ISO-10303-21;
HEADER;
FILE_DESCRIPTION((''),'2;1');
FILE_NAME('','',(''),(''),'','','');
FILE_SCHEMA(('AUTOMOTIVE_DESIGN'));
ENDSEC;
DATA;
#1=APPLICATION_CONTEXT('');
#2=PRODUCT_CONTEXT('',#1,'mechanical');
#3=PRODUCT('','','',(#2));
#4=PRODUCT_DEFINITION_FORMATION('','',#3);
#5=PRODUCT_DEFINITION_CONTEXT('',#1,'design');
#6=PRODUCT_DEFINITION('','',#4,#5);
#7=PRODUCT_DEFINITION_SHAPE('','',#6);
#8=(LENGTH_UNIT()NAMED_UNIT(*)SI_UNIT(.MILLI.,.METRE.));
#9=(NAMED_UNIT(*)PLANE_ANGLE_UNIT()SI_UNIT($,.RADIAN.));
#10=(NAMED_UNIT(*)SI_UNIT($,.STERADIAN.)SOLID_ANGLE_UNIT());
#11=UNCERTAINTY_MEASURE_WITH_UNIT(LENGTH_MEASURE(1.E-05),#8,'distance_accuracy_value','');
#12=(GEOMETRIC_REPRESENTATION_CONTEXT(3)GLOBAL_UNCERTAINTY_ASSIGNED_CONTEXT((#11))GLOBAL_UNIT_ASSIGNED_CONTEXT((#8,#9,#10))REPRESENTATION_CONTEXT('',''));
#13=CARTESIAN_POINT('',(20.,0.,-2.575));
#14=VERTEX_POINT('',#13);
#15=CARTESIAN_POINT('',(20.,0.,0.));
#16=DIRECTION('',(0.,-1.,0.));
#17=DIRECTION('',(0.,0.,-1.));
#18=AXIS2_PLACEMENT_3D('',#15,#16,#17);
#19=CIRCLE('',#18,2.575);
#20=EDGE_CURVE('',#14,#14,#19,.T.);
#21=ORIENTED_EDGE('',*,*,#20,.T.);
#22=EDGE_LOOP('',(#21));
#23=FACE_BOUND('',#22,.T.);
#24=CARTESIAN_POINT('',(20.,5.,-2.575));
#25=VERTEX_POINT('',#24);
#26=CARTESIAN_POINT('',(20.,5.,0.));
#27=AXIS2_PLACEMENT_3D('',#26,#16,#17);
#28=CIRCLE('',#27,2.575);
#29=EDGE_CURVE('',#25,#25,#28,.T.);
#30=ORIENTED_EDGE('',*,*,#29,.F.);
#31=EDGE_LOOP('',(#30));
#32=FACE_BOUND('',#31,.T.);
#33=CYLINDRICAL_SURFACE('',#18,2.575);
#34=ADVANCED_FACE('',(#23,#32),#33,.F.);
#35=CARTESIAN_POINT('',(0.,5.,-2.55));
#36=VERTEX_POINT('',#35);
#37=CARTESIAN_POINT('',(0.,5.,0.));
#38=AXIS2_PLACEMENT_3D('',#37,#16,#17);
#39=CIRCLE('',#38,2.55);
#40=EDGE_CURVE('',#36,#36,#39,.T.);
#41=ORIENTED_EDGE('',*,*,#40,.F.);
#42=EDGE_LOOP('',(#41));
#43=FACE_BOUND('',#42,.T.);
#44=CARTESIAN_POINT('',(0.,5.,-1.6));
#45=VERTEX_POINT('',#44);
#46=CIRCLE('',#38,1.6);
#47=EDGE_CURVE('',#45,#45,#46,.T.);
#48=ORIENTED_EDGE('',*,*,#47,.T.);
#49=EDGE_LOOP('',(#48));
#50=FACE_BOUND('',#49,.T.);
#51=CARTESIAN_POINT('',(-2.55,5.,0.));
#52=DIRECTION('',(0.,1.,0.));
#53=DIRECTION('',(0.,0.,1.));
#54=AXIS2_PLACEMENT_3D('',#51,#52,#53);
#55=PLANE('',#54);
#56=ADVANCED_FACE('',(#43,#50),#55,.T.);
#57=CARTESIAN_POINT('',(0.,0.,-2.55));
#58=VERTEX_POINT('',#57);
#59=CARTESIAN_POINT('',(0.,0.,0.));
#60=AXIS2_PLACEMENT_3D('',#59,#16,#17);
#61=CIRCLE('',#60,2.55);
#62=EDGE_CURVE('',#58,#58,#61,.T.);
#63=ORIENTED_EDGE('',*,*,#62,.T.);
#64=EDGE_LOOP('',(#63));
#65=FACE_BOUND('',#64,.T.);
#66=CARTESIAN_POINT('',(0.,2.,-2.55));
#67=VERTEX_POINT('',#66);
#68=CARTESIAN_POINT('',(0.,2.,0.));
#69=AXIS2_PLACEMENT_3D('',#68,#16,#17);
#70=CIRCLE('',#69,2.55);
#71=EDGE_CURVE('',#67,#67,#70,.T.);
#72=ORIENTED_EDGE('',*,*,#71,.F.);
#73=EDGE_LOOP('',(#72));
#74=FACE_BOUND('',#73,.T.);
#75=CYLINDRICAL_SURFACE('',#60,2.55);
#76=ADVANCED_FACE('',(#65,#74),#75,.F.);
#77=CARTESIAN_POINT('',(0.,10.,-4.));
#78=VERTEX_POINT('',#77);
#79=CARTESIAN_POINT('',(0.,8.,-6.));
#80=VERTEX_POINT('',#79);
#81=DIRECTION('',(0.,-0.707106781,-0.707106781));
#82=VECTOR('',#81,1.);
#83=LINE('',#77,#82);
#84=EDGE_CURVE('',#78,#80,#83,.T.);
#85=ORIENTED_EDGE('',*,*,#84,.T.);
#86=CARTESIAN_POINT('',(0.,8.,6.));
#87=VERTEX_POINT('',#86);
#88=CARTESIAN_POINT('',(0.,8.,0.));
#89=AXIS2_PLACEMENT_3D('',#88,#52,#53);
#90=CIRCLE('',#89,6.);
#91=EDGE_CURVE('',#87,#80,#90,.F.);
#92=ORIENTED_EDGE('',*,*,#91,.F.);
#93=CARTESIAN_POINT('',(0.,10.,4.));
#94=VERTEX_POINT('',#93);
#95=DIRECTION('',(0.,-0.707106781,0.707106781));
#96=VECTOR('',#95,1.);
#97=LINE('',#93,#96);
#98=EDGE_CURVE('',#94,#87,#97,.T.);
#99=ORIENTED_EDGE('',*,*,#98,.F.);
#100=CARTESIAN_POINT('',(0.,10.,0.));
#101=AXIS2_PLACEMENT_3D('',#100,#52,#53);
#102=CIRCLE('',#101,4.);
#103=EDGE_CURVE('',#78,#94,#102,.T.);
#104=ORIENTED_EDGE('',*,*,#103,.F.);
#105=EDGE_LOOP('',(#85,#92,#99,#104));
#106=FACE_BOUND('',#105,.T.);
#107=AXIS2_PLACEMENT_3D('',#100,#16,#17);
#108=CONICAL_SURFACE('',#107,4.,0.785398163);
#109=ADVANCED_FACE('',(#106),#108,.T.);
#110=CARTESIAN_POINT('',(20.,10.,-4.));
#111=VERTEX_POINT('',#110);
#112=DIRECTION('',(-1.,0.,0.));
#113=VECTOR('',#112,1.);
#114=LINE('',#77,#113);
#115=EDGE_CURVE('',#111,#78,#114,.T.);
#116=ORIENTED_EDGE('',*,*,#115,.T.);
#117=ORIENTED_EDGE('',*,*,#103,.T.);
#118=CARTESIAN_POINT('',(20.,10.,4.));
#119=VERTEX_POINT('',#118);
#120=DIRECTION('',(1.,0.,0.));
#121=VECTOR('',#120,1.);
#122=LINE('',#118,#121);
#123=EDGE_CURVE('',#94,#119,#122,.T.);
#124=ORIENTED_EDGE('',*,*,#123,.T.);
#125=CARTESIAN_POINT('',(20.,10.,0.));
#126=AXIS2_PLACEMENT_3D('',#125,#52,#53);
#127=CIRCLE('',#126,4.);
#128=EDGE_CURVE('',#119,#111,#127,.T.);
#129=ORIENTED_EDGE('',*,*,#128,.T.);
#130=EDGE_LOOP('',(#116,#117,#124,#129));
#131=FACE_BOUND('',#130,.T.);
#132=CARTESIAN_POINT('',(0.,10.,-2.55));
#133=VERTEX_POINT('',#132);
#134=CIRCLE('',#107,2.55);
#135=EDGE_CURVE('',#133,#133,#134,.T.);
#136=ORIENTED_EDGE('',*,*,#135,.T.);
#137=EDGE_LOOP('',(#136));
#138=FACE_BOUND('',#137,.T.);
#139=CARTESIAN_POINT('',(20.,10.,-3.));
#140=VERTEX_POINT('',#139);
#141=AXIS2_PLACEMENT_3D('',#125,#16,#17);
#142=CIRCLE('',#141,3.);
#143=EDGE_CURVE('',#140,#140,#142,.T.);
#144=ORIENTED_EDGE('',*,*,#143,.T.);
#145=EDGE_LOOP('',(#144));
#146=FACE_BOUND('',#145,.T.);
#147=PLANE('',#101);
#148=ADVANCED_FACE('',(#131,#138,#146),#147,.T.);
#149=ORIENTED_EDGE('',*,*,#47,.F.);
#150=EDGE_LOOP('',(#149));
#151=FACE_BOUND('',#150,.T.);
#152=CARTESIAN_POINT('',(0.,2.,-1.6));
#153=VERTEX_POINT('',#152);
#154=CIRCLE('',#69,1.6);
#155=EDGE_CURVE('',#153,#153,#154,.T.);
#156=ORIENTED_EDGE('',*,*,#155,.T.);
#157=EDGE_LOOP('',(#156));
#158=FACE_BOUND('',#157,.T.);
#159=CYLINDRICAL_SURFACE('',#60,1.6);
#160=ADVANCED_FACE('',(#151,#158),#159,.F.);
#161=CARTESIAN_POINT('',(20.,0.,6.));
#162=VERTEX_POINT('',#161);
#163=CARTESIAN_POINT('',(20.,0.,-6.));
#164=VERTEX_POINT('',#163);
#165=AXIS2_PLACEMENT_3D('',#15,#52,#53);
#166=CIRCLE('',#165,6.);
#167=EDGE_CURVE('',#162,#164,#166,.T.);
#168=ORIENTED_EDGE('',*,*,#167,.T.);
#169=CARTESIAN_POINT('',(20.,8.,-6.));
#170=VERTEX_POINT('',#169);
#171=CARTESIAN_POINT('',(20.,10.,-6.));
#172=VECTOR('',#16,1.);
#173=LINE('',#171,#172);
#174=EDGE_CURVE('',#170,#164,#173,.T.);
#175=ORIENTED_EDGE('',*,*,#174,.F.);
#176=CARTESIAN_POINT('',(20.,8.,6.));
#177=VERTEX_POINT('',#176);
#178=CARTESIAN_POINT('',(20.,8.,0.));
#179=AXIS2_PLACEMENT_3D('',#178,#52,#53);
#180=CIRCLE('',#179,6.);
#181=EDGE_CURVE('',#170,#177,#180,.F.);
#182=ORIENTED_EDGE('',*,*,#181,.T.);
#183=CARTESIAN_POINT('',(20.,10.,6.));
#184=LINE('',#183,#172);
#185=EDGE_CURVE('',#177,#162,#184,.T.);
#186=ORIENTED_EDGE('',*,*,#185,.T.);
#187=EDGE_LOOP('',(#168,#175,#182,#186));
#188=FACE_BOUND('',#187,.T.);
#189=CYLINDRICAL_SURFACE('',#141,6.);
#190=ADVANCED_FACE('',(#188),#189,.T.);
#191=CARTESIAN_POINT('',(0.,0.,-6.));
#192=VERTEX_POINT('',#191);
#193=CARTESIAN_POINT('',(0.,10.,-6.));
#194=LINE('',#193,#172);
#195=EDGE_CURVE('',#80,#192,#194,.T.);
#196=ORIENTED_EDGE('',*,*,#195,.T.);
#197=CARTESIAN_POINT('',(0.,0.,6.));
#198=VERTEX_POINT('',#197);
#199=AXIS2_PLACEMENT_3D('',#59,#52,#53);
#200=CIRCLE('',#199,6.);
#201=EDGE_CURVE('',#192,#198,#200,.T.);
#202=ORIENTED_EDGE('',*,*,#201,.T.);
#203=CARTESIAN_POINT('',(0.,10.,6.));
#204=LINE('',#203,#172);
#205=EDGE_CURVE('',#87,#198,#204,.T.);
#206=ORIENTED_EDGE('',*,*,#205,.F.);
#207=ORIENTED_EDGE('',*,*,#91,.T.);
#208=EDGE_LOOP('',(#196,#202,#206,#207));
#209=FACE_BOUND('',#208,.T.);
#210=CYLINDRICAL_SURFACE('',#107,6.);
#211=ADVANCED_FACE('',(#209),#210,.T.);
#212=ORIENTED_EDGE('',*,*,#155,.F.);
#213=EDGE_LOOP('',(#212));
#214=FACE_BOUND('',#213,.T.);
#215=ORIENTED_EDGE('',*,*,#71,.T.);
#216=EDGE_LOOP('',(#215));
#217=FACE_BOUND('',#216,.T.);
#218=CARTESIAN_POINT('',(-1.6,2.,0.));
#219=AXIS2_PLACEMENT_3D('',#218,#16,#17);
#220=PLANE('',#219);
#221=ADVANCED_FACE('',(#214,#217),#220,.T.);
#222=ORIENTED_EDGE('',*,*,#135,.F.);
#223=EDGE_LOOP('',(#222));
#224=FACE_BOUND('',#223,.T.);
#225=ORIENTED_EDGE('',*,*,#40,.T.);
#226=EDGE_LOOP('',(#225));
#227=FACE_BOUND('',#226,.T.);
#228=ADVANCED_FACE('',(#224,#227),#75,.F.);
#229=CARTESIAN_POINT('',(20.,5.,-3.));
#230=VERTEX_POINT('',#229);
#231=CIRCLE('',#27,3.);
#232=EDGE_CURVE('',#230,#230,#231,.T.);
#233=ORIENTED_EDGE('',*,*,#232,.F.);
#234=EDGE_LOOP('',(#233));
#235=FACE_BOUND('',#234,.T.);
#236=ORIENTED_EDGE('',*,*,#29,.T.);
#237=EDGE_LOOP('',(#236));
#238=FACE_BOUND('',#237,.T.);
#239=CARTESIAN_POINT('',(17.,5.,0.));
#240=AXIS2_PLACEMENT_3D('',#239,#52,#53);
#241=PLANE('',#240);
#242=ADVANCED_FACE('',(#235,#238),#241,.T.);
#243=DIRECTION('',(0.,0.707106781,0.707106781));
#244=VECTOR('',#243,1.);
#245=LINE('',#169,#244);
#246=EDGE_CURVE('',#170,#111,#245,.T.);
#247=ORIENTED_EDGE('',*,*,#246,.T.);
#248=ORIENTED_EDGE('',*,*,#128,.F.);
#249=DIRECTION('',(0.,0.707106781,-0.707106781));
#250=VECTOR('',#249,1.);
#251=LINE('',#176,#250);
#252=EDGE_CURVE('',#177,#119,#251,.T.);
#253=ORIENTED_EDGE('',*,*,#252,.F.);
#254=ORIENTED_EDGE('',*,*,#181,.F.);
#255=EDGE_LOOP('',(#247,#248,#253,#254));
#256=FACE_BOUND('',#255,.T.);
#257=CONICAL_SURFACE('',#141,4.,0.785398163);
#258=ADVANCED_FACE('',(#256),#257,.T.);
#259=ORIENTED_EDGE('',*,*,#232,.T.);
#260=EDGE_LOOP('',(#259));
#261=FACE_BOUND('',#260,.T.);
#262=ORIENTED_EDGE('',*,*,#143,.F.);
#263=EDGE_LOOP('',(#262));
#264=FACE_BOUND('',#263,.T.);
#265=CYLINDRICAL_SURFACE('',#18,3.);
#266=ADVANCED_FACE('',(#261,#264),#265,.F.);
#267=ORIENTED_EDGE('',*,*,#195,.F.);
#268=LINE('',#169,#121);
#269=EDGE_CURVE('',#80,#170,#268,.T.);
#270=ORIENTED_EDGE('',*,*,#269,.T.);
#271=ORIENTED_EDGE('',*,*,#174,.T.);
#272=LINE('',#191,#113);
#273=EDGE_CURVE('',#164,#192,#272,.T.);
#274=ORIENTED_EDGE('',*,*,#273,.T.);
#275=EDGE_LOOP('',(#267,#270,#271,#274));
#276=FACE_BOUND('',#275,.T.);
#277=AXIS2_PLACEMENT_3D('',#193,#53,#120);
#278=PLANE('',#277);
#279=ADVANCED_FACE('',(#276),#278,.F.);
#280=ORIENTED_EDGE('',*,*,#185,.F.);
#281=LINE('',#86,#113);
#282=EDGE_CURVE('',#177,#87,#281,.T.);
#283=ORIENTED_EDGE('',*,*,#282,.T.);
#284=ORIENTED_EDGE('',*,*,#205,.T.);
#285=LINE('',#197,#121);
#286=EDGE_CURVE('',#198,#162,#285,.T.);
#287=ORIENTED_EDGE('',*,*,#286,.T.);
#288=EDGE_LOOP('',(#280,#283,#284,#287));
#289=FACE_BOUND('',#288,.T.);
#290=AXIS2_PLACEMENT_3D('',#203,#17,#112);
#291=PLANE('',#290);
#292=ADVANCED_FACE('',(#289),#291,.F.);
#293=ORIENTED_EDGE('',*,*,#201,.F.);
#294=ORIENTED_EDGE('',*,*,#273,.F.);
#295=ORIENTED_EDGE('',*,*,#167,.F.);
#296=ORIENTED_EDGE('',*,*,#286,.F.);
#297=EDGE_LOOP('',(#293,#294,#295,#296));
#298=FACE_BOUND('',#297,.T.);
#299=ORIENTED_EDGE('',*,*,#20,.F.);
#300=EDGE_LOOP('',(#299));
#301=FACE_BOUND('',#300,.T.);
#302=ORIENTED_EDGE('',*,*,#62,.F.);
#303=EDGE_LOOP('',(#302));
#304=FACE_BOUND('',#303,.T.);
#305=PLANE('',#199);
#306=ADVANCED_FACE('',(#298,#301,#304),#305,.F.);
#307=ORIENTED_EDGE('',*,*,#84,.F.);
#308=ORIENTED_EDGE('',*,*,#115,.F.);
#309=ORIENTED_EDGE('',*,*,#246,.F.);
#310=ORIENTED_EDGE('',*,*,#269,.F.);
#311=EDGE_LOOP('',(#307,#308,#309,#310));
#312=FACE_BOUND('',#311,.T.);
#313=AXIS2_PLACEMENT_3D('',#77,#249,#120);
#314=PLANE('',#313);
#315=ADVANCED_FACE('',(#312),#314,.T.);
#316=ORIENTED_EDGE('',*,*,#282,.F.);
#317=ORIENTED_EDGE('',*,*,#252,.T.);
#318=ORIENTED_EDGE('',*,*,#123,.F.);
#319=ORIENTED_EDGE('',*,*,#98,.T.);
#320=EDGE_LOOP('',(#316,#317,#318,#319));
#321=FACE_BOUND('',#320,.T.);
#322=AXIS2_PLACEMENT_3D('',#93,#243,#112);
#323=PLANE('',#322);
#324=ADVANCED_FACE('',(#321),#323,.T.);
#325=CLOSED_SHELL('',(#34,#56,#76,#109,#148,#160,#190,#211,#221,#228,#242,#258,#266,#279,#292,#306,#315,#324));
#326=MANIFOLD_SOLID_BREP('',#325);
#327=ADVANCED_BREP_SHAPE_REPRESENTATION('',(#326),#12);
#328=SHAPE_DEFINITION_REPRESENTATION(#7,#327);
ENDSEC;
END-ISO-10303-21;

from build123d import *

# Parameters (mm, degrees)
EXTRUDE_1_DEPTH = 10
CHAMFER_1_SIZE  = 2


with BuildPart() as part:
    # 草图1 → 凸台-拉伸1 (new body)
    with BuildSketch(Plane(origin=(0, 0, 0), x_dir=(1, 0, 0), z_dir=(0, 1, 0))):
        with BuildLine():
            Line((0, 6), (20, 6))
            ThreePointArc((20, 6), (26, 0), (20, -6))
            Line((20, -6), (0, -6))
            ThreePointArc((0, -6), (-6, 0), (0, 6))
        make_face()
    extrude(amount=EXTRUDE_1_DEPTH)

    # 草图2 → 切除-旋转1 (revolve, cut)
    with BuildSketch(Plane.XY):
        Polygon((0, 10), (-2.55, 10), (-2.55, 5), (-1.6, 5), (-1.6, 2), (-2.55, 2), (-2.55, 0), (0, 0), align=None)
    revolve(axis=Axis((0, 0, 0), (0, 1, 0)), mode=Mode.SUBTRACT)

    # 草图4 → 切除-旋转2 (revolve, cut)
    with BuildSketch(Plane.XY):
        Polygon((20, 10), (17, 10), (17, 5), (17.425, 5), (17.425, 0), (20, 0), align=None)
    revolve(axis=Axis((20, 0, 0), (0, 1, 0)), mode=Mode.SUBTRACT)

    # 倒角1
    chamfer_1_edges = [part.edges().sort_by_distance(p)[0] for p in [
        (26, 10, 0),
        (10, 10, -6),
        (-6, 10, 0),
        (10, 10, 6),
    ]]
    chamfer(chamfer_1_edges, length=CHAMFER_1_SIZE)


solid = part.part
